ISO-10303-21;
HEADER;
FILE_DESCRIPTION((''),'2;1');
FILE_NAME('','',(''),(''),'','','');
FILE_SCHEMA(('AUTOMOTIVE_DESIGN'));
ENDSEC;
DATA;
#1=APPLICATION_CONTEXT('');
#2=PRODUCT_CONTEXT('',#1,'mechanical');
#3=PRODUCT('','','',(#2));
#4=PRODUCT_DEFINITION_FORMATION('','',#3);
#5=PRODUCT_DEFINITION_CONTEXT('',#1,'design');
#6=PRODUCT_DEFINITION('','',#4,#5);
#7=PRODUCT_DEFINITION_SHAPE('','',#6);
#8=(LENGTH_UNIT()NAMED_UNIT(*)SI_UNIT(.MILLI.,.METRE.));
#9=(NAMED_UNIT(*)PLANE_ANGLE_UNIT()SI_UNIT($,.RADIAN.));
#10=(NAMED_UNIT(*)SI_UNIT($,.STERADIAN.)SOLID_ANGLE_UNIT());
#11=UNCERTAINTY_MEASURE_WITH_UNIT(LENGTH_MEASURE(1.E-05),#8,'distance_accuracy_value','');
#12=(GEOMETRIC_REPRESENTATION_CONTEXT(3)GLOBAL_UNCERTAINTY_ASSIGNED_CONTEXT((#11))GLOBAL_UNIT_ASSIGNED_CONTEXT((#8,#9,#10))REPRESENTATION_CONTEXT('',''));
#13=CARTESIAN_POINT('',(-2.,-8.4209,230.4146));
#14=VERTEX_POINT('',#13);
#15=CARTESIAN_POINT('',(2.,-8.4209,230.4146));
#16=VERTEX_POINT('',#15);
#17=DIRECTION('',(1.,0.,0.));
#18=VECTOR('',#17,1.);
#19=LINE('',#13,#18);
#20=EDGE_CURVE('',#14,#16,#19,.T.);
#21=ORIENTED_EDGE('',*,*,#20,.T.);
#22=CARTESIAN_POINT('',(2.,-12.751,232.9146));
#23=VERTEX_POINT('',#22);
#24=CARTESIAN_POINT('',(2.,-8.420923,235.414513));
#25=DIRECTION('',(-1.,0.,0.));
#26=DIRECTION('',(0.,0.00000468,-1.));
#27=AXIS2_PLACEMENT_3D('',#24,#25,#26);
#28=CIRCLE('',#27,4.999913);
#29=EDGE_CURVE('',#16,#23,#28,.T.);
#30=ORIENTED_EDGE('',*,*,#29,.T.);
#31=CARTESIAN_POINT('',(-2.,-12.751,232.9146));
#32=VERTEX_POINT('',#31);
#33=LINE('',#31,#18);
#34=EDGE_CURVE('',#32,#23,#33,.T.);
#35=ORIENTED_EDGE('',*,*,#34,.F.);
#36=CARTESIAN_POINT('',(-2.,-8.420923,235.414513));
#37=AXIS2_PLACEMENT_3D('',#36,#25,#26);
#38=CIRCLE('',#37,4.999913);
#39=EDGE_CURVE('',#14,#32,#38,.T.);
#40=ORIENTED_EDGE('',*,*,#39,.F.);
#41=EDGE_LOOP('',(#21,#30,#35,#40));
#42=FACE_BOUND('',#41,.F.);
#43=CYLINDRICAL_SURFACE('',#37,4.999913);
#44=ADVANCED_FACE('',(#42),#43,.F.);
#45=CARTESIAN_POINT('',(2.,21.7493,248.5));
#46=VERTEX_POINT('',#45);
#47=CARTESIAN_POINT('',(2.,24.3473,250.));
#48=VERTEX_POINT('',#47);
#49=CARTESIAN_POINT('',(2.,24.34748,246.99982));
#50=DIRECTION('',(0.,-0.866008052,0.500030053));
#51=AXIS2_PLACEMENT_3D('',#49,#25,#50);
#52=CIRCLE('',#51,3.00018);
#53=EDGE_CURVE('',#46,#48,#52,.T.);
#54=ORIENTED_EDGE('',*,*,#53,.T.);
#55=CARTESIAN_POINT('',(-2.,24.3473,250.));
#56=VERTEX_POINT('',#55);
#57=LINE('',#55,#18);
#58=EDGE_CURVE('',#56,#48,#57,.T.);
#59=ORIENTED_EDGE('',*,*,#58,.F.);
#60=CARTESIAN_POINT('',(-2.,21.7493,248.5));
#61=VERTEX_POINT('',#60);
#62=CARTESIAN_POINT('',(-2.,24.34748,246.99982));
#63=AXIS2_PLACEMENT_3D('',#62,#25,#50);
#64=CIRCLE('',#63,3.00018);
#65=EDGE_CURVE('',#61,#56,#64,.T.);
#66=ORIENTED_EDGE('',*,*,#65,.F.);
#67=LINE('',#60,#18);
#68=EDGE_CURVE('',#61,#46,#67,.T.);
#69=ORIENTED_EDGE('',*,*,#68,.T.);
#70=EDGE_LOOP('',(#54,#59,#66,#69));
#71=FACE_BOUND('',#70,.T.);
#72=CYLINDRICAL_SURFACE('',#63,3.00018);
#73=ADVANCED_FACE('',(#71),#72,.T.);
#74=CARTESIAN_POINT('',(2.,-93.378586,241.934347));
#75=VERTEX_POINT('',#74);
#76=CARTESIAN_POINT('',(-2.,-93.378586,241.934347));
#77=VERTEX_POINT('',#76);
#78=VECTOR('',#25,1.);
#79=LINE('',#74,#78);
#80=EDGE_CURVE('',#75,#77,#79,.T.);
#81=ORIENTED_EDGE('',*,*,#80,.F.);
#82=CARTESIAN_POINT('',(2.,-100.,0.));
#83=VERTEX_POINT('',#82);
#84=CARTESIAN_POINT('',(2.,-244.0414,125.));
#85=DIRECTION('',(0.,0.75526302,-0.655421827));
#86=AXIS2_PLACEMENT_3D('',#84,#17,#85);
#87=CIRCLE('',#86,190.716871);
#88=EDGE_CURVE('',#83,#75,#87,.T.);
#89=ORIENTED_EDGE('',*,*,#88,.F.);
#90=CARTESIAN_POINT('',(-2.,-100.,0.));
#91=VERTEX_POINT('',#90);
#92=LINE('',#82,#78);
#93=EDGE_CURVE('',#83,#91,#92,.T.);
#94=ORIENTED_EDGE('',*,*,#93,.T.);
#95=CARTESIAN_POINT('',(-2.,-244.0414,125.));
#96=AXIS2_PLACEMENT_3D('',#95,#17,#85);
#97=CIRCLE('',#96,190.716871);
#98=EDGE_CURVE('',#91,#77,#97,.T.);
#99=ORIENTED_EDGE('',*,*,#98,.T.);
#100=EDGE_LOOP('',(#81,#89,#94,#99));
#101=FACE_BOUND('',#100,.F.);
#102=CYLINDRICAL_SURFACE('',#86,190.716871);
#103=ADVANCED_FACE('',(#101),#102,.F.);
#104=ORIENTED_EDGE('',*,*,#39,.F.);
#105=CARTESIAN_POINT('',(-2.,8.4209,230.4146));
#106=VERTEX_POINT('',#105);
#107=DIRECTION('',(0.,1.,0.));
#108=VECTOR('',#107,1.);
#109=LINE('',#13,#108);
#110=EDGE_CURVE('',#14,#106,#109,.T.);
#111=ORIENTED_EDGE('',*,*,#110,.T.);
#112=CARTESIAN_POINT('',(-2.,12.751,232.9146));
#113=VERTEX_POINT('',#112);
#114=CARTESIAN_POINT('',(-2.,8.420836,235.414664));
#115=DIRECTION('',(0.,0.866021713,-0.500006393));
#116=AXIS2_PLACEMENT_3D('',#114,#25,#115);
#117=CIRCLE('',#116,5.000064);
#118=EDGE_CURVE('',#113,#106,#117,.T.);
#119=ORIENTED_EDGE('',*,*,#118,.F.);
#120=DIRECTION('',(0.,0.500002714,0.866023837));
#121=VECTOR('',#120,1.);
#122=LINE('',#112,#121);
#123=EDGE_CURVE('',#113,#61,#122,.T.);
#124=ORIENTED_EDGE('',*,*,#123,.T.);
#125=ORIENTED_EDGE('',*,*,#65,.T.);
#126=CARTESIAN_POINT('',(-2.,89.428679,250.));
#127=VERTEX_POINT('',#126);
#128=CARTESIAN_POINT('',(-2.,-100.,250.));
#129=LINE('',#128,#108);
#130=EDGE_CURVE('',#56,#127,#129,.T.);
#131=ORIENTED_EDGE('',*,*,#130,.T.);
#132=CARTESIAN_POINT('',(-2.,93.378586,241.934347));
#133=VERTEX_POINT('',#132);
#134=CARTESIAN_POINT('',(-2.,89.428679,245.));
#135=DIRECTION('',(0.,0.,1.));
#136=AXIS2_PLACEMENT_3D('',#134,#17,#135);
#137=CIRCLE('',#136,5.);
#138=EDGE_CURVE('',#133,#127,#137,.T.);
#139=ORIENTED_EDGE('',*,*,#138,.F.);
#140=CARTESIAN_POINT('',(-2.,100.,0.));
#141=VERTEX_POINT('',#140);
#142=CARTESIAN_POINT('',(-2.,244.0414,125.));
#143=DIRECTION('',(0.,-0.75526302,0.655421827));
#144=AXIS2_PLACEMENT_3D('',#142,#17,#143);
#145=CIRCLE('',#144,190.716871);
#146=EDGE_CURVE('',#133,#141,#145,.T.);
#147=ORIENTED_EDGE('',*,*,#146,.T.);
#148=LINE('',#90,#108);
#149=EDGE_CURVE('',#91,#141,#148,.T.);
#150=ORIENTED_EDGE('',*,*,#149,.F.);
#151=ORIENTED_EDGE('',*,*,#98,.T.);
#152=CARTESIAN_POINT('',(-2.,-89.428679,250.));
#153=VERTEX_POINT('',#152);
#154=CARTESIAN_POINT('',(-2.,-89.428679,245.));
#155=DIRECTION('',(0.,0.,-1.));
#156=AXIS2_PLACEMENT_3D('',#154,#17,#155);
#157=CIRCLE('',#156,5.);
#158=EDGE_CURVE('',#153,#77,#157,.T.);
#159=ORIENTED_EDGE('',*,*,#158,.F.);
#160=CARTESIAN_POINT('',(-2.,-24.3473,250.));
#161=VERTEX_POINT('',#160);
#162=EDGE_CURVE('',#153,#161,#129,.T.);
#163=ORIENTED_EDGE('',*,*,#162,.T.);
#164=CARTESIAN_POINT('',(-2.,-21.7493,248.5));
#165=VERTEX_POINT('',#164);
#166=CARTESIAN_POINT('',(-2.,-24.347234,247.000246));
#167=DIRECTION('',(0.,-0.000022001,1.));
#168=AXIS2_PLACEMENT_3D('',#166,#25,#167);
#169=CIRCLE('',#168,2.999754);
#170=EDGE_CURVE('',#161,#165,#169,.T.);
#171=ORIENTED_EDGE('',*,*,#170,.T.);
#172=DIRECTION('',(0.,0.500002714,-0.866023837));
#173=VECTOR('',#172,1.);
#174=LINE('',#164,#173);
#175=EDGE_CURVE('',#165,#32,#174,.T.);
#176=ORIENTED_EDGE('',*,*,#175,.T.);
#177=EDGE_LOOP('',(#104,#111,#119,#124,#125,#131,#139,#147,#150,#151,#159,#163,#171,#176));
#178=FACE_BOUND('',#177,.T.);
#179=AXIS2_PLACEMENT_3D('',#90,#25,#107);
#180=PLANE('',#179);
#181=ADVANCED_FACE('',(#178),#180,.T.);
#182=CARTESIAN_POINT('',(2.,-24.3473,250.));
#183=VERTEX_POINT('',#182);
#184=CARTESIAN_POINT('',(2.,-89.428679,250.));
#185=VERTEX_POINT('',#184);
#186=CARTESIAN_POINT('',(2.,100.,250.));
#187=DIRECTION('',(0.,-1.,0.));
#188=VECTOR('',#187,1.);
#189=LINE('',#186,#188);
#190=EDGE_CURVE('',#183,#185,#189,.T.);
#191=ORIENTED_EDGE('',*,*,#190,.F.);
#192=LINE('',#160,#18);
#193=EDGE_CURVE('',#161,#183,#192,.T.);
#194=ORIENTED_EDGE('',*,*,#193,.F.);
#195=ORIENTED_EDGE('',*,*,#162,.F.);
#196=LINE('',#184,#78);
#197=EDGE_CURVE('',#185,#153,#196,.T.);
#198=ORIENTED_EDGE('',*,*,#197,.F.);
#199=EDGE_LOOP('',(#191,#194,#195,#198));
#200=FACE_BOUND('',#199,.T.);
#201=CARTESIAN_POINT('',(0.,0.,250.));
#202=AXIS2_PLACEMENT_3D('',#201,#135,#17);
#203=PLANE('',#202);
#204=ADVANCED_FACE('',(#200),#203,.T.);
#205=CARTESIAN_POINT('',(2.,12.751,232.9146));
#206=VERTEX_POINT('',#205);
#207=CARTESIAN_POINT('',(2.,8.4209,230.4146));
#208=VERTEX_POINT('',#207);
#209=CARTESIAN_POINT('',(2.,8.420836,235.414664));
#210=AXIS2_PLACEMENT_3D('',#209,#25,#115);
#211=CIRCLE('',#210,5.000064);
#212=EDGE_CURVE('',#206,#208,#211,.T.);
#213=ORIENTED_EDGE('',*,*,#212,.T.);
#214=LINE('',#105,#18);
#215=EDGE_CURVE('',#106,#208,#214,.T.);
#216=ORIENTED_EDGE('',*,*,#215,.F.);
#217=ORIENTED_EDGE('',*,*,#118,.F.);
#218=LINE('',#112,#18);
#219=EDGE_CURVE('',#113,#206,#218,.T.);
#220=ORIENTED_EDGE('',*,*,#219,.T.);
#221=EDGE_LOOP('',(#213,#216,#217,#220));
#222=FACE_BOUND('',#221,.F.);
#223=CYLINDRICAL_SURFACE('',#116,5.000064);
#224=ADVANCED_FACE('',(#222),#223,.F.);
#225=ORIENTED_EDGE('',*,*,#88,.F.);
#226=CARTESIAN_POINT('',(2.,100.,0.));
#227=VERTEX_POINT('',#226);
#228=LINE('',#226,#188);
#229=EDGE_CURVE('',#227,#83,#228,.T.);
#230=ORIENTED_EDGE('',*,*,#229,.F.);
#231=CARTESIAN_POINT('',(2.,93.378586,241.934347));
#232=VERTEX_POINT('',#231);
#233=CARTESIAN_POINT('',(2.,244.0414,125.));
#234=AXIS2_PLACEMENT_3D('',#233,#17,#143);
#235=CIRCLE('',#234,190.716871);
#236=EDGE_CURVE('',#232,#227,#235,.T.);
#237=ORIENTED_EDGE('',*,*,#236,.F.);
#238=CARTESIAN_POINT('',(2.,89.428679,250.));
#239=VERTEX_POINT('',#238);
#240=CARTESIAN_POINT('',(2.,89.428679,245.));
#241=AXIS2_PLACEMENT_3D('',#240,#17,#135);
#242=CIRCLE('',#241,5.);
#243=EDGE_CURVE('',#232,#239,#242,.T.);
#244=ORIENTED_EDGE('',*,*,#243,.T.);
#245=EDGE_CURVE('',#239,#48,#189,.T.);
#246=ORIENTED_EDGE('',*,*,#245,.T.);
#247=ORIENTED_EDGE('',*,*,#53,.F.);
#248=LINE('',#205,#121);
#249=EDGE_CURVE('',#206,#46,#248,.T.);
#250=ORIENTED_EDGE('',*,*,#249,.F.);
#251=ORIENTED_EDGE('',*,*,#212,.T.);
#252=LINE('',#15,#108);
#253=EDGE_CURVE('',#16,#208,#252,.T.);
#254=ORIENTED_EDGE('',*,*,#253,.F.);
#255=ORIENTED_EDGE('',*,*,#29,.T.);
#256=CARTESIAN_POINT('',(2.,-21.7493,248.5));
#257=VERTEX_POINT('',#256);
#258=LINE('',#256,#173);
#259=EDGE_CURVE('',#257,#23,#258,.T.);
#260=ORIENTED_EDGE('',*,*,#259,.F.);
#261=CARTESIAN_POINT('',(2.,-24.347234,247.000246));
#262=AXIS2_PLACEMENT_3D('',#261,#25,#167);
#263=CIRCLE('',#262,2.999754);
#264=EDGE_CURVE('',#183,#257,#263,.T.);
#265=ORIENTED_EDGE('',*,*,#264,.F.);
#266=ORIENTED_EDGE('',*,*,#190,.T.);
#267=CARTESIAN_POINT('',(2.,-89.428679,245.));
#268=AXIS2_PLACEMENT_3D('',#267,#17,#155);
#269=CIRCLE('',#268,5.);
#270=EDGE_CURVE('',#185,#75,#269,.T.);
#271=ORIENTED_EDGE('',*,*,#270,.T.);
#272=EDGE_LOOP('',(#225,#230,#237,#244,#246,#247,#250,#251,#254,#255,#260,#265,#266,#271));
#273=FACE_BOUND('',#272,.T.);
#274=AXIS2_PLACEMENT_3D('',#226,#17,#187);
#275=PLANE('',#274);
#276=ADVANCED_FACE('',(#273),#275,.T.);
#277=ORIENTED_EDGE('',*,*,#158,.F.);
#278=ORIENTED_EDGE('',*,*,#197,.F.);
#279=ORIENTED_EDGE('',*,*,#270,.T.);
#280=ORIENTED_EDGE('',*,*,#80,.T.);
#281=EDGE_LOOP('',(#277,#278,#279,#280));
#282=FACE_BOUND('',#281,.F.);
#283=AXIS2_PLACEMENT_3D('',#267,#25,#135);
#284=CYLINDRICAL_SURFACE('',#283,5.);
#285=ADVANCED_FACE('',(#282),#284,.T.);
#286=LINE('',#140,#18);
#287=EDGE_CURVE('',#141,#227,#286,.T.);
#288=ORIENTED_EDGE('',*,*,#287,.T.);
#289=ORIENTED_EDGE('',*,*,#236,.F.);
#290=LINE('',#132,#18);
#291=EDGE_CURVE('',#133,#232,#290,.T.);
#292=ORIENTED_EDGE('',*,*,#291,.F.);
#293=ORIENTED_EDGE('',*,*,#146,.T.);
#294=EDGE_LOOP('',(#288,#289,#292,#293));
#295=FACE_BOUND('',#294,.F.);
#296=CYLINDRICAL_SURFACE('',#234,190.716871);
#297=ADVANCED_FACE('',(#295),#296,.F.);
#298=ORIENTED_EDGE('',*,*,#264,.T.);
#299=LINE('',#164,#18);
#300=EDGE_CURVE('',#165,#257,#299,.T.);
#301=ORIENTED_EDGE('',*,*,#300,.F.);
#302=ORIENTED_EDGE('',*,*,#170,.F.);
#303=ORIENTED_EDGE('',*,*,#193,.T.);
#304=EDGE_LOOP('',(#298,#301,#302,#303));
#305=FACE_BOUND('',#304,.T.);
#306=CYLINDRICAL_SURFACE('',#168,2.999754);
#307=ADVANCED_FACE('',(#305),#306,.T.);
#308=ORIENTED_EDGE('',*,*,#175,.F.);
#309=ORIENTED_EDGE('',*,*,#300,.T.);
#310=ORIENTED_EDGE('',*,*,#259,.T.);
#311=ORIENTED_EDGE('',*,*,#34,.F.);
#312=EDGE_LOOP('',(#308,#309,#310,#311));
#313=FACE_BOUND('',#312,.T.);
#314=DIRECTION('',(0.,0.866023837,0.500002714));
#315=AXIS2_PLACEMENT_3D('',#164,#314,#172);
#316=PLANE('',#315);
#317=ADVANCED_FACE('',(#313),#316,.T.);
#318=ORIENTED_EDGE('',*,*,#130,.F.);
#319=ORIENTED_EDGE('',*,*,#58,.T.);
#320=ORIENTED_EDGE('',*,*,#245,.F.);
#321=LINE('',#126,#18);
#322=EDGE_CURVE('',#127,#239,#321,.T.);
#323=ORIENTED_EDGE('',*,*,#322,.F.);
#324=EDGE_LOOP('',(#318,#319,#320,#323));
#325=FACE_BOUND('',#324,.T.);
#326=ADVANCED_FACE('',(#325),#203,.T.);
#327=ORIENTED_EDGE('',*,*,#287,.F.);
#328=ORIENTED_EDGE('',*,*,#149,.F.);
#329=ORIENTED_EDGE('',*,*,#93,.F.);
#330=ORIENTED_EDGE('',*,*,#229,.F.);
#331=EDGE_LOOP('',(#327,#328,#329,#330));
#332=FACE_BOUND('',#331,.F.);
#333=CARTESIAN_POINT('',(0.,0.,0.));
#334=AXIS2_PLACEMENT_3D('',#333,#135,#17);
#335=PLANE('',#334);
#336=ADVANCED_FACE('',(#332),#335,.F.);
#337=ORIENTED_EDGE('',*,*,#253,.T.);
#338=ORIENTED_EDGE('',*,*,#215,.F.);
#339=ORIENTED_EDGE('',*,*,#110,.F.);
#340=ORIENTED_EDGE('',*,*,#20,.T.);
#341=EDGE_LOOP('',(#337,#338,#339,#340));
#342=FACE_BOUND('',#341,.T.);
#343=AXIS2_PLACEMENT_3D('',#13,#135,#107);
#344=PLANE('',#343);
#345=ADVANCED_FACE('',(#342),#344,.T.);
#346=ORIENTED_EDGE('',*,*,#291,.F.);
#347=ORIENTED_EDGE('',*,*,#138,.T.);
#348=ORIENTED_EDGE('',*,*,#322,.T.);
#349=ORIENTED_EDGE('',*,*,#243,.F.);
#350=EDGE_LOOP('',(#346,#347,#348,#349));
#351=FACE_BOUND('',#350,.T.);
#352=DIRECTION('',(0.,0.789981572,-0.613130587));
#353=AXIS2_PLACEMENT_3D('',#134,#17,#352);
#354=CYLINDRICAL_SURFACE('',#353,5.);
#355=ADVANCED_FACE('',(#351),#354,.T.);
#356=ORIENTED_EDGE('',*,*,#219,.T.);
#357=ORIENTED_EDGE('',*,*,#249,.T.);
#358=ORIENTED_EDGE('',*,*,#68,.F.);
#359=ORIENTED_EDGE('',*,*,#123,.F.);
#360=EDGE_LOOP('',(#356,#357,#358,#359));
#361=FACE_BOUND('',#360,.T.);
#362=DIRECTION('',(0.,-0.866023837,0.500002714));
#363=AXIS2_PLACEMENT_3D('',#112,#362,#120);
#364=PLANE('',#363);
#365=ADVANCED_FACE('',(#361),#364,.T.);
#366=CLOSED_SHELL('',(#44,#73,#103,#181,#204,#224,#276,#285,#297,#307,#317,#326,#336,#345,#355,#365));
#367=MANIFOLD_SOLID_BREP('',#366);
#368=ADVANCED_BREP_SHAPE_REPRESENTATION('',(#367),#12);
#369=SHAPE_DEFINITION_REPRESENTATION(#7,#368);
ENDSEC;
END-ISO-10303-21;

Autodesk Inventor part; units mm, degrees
ref_plane "YZ Plane" through (0, 0, 0) normal (1, 0, 0) x (0, 1, 0)
ref_plane "XZ Plane" through (0, 0, 0) normal (0, 1, 0) x (-1, 0, 0)
ref_plane "XY Plane" through (0, 0, 0) normal (0, 0, 1) x (1, 0, 0)
sketch "Эскиз1" plane through (0, 0, 0) normal (0, 0, 1) x (1, 0, 0)
  line L0 (2, -100) -> (-2, -100)
  line L1 (-2, -100) -> (-2, 100)
  line L2 (-2, 100) -> (2, 100)
  line L3 (2, 100) -> (2, -100)
  line L4 (2, -100) -> (-2, 100) construction
  line L5 (-2, -100) -> (2, 100) construction
  point P0 (0, 0)
  dimension "d0" = 4
  dimension "d1" = 200
extrude "Выдавливание1" add sketch "Эскиз1" along normal blind 250
sketch "Эскиз2" plane through (-2, -100, 0) normal (-1, 0, 0) x (0, 0, 1)
  line L0 (250, 200) -> (250, 0) projected
  line L1 (0, 0) -> (250, 0) projected
  line L2 (0, 102) -> (250, 102) projected
  point P0 (0, 100)
sketch "Эскиз3" plane through (2, -100, 0) normal (1, 0, 0) x (0, 0, -1)
  line L0 (0, 0) -> (0, 200) construction
  line L1 (0, 200) -> (-250, 200) construction
  line L2 (-250, 0) -> (-250, 200) construction
  line L3 (0, 0) -> (-250, 0) construction
  line L4 (-250, 200) -> (-250, 0) construction
  line L5 (-250, 0) -> (0, 200) construction
  line L6 (0, 100) -> (-250, 100) construction
  line L7 (0, 200) -> (-250, 200) projected
  arc A0 (-250, 200) -> (0, 200) centre (-125, 344.0414) ccw
  arc A1 (0, 0) -> (-250, 0) centre (-125, -144.0414) ccw
  line L8 (-250, 0) -> (0, 0)
extrude "Выдавливание2" cut sketch "Эскиз3" against normal blind 4
fillet "Сопряжение1" radius 5 1 edges at (0, 100, 250)
fillet "Сопряжение2" radius 5 1 edges at (0, -100, 250)
sketch "Эскиз4" plane through (-2, -100, 0) normal (-1, 0, 0) x (0, 0, 1)
  arc A0 (250, 189.4287) -> (241.9343, 193.3786) centre (245, 189.4287) ccw projected
  arc A1 (241.9343, 6.6214) -> (250, 10.5713) centre (245, 10.5713) ccw projected
  line L0 (248.5, 78.2507) -> (232.9146, 87.249)
  line L1 (230.4146, 91.5791) -> (230.4146, 108.4209)
  line L2 (232.9146, 112.751) -> (248.5, 121.7493)
  arc A2 (232.9146, 112.751) -> (230.4146, 108.4209) centre (235.4146, 108.4209) ccw
  arc A3 (230.4146, 91.5791) -> (232.9146, 87.249) centre (235.4146, 91.5791) ccw
  arc A4 (248.5, 121.7493) -> (250, 124.3473) centre (247, 124.3473) ccw
  arc A5 (250, 75.6527) -> (248.5, 78.2507) centre (247, 75.6527) ccw
  line L3 (250, 124.3473) -> (250, 75.6527)
  line L4 (250, 10.5713) -> (250, 189.4287) projected
  point P0 (0, 100)
  point P1 (250, 100)
  point P2 (250, 77.3847)
  point P3 (230.4146, 88.6924)
  point P4 (230.4146, 111.3076)
  point P5 (250, 122.6153)
  dimension "d8" = 5
  dimension "d9" = 3
extrude "Выдавливание3" cut sketch "Эскиз4" against normal blind 4
properties part number "грань тела"
